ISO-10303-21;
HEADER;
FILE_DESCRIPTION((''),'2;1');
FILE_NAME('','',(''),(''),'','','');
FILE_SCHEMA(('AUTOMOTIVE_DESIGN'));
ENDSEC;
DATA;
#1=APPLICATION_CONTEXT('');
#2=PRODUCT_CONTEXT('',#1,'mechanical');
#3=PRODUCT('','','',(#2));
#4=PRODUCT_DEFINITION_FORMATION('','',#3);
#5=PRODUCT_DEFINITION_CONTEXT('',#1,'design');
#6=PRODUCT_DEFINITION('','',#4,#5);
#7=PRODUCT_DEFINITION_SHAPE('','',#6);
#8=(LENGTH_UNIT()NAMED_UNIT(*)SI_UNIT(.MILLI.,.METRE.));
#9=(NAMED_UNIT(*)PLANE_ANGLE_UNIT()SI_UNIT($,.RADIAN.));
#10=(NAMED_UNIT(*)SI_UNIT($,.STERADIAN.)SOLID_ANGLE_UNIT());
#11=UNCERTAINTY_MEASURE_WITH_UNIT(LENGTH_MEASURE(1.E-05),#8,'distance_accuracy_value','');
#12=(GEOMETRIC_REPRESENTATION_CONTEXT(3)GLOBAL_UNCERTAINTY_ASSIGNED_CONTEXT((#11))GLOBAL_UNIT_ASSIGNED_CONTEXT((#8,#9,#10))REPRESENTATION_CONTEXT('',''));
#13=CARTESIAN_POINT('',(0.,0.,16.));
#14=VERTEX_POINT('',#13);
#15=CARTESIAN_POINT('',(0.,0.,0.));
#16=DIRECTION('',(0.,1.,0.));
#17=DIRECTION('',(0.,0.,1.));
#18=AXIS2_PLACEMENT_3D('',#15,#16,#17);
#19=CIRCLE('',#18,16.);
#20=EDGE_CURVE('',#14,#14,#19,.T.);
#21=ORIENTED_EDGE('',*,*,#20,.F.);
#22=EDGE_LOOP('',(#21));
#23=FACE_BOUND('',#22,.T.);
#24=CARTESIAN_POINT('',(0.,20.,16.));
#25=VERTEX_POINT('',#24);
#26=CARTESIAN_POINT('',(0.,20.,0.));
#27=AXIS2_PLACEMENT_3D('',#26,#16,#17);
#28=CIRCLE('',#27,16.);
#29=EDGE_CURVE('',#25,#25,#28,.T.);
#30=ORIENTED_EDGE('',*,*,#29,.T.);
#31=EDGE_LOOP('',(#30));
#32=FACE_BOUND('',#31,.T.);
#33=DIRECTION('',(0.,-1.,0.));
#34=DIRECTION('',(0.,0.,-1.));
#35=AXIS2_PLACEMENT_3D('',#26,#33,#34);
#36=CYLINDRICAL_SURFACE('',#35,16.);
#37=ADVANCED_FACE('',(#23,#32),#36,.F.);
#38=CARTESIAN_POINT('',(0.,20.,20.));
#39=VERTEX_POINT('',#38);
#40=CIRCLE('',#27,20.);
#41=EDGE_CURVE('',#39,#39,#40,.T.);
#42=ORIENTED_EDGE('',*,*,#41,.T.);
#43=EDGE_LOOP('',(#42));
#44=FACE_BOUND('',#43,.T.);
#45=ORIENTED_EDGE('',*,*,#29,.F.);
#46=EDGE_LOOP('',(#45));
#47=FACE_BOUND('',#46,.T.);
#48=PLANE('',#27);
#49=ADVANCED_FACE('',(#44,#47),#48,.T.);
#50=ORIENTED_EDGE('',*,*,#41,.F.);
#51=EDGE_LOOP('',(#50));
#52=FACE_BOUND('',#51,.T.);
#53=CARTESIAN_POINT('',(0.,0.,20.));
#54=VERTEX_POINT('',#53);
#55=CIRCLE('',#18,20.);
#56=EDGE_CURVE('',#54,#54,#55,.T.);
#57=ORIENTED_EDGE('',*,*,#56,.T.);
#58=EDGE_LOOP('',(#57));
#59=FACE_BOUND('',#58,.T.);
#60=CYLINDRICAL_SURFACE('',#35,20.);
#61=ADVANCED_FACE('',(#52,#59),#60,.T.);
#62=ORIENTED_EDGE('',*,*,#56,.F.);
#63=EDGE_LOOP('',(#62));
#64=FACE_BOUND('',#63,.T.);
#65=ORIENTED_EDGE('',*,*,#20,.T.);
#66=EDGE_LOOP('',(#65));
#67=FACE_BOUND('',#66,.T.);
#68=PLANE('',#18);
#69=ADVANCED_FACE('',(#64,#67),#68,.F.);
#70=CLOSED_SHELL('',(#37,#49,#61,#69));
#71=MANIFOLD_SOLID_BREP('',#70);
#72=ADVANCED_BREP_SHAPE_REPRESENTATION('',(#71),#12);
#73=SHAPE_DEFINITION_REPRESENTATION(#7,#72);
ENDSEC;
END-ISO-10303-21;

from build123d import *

# Parameters (mm, degrees)
SKETCH_1_R      = 20
SKETCH_1_R_2    = 16
EXTRUDE_1_DEPTH = 20


with BuildPart() as part:
    # 草图1 → 凸台-拉伸1 (new body)
    with BuildSketch(Plane(origin=(0, 0, 0), x_dir=(1, 0, 0), z_dir=(0, 1, 0))):
        Circle(SKETCH_1_R)
        Circle(SKETCH_1_R_2, mode=Mode.SUBTRACT)
    extrude(amount=EXTRUDE_1_DEPTH)


solid = part.part
